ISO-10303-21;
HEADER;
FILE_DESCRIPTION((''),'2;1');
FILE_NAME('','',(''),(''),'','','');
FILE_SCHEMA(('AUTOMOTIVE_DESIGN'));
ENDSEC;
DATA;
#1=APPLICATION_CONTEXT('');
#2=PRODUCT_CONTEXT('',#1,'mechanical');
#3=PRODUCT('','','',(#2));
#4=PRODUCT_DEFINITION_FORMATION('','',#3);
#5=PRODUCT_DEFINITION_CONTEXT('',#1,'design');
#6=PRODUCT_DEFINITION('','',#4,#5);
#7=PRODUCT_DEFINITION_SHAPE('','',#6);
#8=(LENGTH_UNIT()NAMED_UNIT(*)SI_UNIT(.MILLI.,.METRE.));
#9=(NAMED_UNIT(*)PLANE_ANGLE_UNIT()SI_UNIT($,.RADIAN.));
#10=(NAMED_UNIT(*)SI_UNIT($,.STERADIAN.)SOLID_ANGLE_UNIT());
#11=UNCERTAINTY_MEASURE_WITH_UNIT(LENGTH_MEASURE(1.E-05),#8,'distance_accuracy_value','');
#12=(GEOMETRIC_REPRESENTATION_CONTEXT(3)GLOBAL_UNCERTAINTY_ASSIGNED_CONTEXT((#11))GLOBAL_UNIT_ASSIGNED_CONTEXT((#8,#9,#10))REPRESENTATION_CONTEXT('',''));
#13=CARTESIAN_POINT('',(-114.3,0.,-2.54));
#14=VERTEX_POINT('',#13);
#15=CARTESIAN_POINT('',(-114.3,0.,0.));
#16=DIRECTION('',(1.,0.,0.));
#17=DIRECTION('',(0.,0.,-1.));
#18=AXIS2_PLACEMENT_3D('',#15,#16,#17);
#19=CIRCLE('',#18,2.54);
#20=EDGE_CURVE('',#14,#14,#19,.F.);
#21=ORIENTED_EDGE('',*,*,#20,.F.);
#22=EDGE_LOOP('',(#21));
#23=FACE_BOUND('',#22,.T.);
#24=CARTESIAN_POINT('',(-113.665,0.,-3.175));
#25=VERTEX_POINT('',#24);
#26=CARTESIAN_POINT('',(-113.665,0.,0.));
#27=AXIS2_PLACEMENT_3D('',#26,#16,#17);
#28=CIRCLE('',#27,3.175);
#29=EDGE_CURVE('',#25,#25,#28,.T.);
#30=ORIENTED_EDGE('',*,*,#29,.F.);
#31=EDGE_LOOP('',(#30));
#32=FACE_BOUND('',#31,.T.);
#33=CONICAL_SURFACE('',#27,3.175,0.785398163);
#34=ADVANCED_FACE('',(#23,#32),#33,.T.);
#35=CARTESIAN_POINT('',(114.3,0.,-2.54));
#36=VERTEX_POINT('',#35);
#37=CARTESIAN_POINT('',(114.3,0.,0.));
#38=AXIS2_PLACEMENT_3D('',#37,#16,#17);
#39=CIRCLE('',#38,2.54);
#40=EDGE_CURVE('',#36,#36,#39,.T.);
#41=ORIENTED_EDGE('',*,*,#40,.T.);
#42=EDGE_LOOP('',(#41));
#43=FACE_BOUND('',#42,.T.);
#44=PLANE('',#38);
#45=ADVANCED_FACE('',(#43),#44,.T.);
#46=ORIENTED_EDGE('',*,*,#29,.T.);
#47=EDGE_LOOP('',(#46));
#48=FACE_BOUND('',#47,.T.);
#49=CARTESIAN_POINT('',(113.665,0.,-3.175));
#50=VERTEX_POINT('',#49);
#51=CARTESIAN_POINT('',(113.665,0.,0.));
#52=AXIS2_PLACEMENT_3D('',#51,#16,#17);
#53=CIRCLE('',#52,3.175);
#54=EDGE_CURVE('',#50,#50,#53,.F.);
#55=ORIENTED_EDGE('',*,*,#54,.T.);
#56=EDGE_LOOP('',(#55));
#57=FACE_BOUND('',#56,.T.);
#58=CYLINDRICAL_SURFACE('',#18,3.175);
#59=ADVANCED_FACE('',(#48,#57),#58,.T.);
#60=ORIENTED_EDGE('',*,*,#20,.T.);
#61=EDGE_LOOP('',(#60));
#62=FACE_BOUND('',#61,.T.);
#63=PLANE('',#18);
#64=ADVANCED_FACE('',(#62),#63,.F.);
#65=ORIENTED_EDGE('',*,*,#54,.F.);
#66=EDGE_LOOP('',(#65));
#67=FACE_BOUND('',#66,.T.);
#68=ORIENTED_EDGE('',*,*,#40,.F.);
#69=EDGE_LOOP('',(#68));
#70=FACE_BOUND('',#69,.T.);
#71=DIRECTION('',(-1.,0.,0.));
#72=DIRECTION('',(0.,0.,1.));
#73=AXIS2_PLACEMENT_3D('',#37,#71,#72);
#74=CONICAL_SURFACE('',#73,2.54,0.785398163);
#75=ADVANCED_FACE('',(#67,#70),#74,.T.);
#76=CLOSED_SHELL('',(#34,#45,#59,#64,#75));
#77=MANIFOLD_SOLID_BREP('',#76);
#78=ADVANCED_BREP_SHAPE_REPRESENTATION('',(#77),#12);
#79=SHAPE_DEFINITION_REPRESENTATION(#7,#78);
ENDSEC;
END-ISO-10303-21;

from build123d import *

# Parameters (mm, degrees)
EXTRUDE1_DEPTH      = 114.3
EXTRUDE1_DEPTH_BACK = 114.3
SKETCH2_R           = 3.175
CHAMFER1_SIZE       = 0.635


with BuildPart() as part:
    # Sketch2 → Extrude1 (new, two sides: drawn at the far end of the back side and taken through both)
    with BuildSketch(Plane(origin=(0, 0, 0), x_dir=(0, 0, -1), z_dir=(1, 0, 0)).offset(-EXTRUDE1_DEPTH_BACK)):
        Circle(SKETCH2_R)
    extrude(amount=EXTRUDE1_DEPTH + EXTRUDE1_DEPTH_BACK)

    # Chamfer1
    chamfer1_edges = [part.edges().sort_by_distance(p)[0] for p in [
        (-114.3, 0, 3.175),
        (114.3, 0, 3.175),
    ]]
    chamfer(chamfer1_edges, length=CHAMFER1_SIZE)


solid = part.part
